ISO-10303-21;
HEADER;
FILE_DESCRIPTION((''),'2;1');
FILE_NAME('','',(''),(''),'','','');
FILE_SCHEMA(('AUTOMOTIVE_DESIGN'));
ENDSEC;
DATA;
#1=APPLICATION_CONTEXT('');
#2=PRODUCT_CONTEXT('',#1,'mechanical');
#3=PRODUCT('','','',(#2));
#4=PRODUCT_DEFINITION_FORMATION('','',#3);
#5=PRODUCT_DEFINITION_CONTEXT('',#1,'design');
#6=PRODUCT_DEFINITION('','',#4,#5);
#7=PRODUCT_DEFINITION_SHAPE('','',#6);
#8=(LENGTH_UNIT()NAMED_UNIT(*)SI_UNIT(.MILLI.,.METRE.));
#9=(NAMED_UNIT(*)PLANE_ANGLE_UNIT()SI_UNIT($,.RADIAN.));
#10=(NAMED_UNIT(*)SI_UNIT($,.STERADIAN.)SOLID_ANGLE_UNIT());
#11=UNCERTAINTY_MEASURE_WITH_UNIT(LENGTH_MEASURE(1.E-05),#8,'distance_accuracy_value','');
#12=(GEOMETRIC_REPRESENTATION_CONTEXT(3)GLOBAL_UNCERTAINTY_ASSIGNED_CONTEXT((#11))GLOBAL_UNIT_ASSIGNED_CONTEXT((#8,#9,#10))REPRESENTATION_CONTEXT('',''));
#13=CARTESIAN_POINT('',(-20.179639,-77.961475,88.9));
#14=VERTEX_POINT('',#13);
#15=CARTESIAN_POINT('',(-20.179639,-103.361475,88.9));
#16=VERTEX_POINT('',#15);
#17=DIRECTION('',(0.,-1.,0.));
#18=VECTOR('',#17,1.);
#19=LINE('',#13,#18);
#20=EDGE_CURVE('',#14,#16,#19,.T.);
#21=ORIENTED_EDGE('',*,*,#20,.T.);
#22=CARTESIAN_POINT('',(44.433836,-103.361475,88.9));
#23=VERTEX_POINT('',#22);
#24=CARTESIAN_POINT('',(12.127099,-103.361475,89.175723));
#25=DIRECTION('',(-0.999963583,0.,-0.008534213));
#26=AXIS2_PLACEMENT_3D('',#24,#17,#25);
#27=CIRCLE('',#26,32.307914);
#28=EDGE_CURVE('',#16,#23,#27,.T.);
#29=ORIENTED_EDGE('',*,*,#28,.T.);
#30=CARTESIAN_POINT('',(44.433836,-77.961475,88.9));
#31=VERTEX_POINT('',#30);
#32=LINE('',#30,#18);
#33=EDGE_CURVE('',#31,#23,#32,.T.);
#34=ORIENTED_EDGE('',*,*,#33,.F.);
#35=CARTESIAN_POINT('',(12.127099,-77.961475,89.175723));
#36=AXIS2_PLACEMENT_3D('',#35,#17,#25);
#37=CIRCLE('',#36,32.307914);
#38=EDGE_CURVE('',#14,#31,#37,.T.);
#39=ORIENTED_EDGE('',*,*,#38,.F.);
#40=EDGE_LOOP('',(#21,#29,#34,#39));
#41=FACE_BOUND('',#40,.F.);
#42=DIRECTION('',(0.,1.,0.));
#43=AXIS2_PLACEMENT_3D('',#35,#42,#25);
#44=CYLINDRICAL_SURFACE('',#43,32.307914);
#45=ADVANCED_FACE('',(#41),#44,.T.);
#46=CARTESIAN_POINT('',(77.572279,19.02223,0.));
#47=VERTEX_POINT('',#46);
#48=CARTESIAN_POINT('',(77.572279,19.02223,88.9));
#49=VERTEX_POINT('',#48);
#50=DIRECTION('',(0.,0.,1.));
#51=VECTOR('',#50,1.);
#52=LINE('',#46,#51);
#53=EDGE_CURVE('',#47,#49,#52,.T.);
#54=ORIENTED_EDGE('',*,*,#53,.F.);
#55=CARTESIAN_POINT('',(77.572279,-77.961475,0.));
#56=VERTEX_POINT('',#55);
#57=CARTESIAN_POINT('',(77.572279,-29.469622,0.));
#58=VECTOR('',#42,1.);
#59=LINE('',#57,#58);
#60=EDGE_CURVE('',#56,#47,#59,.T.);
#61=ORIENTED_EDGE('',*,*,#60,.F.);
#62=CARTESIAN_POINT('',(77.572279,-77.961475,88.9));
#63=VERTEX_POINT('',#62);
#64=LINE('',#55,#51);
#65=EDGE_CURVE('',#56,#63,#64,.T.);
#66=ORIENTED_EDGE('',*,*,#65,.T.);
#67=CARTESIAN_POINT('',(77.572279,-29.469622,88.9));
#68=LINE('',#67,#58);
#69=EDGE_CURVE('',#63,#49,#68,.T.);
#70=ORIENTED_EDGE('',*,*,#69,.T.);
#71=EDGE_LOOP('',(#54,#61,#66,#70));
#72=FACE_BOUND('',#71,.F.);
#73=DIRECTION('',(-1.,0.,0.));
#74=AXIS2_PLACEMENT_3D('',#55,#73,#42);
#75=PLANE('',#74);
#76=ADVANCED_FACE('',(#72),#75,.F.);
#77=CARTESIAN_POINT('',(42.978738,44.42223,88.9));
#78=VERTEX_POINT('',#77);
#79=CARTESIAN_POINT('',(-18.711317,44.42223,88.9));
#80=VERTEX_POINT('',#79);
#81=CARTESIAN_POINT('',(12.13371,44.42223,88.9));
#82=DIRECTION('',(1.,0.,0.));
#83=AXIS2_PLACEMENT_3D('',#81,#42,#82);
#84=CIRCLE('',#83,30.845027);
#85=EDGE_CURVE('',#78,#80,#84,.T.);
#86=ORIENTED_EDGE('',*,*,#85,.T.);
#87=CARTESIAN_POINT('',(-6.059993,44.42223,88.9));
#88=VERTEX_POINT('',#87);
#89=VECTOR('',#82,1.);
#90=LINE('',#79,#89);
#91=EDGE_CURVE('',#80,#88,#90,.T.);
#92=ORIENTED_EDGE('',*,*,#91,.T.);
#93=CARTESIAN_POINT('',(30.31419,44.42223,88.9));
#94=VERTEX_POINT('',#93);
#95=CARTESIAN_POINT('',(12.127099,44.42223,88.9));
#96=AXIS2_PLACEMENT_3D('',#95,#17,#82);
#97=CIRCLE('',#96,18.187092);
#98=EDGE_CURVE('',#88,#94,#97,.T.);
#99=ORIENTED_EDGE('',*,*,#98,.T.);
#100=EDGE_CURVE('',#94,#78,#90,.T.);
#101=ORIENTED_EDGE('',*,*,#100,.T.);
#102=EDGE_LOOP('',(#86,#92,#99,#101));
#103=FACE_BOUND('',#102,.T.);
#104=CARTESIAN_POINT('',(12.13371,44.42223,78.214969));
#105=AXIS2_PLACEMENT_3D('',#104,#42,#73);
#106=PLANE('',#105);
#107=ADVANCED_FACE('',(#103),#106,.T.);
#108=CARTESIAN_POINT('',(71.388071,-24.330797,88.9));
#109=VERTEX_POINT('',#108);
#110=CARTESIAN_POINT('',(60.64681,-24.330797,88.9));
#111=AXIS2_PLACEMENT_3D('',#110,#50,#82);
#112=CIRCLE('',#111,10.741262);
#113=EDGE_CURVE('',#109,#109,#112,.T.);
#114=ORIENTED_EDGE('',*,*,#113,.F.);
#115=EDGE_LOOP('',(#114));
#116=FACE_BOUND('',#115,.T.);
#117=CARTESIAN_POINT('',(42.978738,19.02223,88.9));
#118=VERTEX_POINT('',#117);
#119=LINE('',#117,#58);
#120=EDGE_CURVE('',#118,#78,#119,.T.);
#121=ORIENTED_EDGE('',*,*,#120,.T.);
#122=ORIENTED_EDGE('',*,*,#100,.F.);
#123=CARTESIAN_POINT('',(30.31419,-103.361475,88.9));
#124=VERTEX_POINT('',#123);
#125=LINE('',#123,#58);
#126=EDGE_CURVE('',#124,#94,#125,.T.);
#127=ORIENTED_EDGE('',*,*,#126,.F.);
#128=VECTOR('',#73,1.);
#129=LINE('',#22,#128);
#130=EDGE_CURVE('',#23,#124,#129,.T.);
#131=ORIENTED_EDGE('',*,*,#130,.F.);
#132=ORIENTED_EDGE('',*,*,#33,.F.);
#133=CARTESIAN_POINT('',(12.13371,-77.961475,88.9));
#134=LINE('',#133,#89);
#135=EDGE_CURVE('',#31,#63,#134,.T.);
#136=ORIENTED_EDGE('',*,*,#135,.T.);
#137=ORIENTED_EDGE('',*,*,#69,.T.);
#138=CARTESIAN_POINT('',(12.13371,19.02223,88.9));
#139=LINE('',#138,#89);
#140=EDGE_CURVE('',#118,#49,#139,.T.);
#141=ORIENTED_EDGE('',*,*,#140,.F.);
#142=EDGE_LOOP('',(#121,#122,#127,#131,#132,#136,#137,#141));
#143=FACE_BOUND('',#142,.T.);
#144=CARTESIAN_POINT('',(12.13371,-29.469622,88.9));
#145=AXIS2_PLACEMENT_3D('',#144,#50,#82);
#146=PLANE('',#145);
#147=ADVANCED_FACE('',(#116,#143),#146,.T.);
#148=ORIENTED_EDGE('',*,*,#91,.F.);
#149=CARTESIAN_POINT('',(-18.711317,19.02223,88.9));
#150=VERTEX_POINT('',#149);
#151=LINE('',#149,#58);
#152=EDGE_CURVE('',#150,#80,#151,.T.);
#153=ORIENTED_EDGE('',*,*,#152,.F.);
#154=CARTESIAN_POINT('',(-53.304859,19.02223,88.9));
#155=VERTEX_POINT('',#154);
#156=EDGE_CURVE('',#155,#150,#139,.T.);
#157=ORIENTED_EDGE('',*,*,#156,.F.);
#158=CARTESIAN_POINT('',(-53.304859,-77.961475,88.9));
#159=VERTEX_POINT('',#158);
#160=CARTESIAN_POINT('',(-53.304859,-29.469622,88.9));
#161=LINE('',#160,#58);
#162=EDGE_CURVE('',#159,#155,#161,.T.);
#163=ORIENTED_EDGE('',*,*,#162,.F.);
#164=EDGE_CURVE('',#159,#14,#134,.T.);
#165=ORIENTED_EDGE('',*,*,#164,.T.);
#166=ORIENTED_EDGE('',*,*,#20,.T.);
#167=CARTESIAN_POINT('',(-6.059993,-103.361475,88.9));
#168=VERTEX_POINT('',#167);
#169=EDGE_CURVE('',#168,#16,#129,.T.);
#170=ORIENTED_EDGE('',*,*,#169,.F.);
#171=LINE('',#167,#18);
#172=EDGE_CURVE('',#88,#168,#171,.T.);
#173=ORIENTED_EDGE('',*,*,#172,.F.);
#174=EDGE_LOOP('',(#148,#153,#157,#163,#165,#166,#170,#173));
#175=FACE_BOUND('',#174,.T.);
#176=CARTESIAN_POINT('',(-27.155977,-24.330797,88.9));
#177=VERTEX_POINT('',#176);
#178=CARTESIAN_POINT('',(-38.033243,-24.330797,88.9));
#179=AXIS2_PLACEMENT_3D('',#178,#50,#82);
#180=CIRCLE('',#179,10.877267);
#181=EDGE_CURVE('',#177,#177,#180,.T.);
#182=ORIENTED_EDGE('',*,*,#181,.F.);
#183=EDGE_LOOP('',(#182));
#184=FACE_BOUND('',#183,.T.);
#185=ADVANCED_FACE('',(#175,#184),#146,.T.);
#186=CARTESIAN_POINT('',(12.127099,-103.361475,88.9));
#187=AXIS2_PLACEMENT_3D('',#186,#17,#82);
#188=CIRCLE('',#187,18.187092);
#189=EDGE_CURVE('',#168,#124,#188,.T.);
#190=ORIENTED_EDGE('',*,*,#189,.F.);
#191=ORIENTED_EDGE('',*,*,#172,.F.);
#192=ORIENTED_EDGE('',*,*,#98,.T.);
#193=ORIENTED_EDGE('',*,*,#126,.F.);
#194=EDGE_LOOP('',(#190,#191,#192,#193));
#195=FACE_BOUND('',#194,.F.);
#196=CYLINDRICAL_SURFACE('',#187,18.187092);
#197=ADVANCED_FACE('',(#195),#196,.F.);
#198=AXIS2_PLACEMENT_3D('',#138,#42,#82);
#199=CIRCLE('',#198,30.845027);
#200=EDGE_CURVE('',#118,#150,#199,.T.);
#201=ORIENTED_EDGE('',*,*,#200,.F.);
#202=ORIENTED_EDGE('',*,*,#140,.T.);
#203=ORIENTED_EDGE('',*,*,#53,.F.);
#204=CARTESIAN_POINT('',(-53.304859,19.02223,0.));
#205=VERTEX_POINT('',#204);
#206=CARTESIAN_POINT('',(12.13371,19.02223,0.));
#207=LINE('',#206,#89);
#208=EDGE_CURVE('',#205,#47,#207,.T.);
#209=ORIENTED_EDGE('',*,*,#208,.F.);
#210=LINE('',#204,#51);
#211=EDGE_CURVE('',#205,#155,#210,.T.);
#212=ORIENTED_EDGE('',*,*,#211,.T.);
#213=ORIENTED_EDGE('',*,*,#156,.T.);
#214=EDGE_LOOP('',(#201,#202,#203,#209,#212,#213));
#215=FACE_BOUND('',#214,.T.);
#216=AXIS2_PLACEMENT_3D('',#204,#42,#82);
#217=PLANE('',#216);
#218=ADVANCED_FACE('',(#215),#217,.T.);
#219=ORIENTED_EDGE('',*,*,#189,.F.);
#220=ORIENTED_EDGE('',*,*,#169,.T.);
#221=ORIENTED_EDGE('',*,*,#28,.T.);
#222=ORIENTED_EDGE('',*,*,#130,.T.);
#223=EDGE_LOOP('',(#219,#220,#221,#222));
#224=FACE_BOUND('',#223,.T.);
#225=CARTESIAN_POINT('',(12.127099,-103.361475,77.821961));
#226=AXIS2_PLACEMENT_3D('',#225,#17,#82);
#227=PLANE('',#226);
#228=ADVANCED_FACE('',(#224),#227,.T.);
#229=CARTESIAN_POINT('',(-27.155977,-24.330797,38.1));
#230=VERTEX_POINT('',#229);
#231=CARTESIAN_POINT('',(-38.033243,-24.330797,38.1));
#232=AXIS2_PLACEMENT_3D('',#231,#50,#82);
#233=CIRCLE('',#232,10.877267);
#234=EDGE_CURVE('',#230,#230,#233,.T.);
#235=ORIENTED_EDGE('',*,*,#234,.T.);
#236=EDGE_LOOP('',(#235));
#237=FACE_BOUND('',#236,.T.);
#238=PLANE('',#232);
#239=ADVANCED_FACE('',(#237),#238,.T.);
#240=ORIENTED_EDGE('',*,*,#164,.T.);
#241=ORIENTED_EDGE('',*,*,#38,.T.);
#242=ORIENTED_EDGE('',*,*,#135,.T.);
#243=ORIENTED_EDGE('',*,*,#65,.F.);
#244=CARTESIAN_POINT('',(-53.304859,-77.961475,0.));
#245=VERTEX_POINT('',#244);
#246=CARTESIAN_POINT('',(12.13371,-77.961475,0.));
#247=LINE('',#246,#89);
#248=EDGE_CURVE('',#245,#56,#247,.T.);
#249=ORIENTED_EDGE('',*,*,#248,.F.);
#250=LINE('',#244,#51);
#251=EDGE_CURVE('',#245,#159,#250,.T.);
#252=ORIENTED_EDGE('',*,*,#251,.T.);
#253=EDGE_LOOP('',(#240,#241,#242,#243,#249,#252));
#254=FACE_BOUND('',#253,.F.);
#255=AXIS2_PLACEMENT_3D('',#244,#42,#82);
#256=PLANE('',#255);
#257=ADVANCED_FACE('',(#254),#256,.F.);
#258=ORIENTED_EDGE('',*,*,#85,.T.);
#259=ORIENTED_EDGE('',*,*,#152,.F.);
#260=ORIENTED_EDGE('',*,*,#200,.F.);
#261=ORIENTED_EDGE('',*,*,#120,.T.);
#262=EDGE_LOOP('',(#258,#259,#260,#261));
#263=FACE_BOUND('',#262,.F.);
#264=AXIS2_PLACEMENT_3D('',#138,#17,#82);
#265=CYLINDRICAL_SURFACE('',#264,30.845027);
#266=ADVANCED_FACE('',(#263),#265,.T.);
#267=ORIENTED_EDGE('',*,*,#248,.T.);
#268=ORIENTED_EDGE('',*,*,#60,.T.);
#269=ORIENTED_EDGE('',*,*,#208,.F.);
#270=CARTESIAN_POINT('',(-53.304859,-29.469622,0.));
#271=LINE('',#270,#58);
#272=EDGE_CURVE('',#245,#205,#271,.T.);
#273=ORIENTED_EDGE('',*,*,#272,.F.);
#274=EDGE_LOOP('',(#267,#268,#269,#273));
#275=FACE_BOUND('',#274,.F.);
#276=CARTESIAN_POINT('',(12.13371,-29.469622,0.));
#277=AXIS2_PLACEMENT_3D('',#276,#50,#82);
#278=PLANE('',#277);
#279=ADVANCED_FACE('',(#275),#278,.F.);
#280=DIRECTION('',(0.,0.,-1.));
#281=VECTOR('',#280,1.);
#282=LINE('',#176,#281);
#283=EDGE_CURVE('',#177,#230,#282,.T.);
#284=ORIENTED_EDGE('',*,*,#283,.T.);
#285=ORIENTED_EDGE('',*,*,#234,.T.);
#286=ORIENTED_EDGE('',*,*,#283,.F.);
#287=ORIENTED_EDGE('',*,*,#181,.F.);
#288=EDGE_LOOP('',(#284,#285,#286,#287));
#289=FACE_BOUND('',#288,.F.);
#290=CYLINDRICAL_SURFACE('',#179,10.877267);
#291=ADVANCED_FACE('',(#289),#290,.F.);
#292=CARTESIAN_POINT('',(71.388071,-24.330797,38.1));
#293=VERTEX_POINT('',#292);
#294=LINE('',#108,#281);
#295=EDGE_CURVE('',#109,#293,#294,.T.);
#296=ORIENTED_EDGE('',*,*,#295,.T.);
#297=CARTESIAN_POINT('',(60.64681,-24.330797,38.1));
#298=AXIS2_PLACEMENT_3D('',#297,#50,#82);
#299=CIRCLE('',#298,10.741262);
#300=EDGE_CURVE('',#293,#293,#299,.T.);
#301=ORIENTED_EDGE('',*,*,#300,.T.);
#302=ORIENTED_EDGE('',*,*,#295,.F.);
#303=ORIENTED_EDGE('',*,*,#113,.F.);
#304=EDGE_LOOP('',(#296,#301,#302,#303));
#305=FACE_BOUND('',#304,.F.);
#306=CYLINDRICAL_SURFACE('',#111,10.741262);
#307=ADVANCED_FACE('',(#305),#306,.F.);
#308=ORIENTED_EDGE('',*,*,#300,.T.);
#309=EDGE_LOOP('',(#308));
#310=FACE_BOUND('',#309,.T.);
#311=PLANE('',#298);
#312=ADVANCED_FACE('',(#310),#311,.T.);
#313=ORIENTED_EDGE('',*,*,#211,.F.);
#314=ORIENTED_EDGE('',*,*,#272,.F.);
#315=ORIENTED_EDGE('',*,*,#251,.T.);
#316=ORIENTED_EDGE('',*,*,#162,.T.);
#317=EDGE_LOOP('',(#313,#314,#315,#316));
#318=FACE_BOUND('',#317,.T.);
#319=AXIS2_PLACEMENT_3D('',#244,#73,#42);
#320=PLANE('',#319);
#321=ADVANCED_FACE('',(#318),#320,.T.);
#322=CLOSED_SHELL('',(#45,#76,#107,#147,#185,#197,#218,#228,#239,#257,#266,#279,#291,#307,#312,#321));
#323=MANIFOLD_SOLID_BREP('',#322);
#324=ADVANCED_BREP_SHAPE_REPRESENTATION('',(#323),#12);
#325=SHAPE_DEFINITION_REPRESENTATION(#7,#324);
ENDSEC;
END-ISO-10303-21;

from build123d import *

# Parameters (mm, degrees)
F0_W     = 130.8771371841
F0_H     = 96.983704716
F1_DEPTH = 88.9
F3_DEPTH = 25.4
F5_DEPTH = 25.4
F6_R     = 18.1870915774
F7_DEPTH = 147.784704716
F8_R     = 10.7412616006
F8_R_2   = 10.8772665054
F9_DEPTH = 50.8


with BuildPart() as f1:
    # F0 (on Top) → F1 (new body)
    with BuildSketch(Plane.XY):
        with Locations((12.1337100863, -29.4696222991)):
            Rectangle(F0_W, F0_H)
    extrude(amount=F1_DEPTH)

    # F2 (on face) → F3 (join)
    with BuildSketch(Plane(origin=(0, 19.0222300589, 0), x_dir=(-1, 0, 0), z_dir=(0, 1, 0))):
        with BuildLine():
            Line((18.7113173306, 88.9), (-42.9787375033, 88.9))
            ThreePointArc((-42.9787375033, 88.9), (-12.1337100863, 58.0549725831), (18.7113173306, 88.9))
        make_face()
    extrude(amount=F3_DEPTH)

    # F4 (on face) → F5 (join)
    with BuildSketch(Plane.XZ.offset(77.9614746571)):
        with BuildLine():
            Line((44.4338358939, 88.9), (-20.1796386391, 88.9))
            ThreePointArc((-20.1796386391, 88.9), (12.1270986274, 56.8678088056), (44.4338358939, 88.9))
        make_face()
    extrude(amount=F5_DEPTH)

    # F6 (on face) → F7 (cut, through all)
    with BuildSketch(Plane.XZ.offset(103.3614746571)):
        with Locations((12.1270986274, 88.9)):
            Circle(F6_R)
    extrude(amount=-F7_DEPTH, mode=Mode.SUBTRACT)

    # F8 (on face) → F9 (cut)
    with BuildSketch(Plane.XY.offset(88.9)):
        with Locations((60.6468096375, -24.3307966739)):
            Circle(F8_R)
        with Locations((-38.0332432687, -24.3307966739)):
            Circle(F8_R_2)
    extrude(amount=-F9_DEPTH, mode=Mode.SUBTRACT)


solid = f1.part
